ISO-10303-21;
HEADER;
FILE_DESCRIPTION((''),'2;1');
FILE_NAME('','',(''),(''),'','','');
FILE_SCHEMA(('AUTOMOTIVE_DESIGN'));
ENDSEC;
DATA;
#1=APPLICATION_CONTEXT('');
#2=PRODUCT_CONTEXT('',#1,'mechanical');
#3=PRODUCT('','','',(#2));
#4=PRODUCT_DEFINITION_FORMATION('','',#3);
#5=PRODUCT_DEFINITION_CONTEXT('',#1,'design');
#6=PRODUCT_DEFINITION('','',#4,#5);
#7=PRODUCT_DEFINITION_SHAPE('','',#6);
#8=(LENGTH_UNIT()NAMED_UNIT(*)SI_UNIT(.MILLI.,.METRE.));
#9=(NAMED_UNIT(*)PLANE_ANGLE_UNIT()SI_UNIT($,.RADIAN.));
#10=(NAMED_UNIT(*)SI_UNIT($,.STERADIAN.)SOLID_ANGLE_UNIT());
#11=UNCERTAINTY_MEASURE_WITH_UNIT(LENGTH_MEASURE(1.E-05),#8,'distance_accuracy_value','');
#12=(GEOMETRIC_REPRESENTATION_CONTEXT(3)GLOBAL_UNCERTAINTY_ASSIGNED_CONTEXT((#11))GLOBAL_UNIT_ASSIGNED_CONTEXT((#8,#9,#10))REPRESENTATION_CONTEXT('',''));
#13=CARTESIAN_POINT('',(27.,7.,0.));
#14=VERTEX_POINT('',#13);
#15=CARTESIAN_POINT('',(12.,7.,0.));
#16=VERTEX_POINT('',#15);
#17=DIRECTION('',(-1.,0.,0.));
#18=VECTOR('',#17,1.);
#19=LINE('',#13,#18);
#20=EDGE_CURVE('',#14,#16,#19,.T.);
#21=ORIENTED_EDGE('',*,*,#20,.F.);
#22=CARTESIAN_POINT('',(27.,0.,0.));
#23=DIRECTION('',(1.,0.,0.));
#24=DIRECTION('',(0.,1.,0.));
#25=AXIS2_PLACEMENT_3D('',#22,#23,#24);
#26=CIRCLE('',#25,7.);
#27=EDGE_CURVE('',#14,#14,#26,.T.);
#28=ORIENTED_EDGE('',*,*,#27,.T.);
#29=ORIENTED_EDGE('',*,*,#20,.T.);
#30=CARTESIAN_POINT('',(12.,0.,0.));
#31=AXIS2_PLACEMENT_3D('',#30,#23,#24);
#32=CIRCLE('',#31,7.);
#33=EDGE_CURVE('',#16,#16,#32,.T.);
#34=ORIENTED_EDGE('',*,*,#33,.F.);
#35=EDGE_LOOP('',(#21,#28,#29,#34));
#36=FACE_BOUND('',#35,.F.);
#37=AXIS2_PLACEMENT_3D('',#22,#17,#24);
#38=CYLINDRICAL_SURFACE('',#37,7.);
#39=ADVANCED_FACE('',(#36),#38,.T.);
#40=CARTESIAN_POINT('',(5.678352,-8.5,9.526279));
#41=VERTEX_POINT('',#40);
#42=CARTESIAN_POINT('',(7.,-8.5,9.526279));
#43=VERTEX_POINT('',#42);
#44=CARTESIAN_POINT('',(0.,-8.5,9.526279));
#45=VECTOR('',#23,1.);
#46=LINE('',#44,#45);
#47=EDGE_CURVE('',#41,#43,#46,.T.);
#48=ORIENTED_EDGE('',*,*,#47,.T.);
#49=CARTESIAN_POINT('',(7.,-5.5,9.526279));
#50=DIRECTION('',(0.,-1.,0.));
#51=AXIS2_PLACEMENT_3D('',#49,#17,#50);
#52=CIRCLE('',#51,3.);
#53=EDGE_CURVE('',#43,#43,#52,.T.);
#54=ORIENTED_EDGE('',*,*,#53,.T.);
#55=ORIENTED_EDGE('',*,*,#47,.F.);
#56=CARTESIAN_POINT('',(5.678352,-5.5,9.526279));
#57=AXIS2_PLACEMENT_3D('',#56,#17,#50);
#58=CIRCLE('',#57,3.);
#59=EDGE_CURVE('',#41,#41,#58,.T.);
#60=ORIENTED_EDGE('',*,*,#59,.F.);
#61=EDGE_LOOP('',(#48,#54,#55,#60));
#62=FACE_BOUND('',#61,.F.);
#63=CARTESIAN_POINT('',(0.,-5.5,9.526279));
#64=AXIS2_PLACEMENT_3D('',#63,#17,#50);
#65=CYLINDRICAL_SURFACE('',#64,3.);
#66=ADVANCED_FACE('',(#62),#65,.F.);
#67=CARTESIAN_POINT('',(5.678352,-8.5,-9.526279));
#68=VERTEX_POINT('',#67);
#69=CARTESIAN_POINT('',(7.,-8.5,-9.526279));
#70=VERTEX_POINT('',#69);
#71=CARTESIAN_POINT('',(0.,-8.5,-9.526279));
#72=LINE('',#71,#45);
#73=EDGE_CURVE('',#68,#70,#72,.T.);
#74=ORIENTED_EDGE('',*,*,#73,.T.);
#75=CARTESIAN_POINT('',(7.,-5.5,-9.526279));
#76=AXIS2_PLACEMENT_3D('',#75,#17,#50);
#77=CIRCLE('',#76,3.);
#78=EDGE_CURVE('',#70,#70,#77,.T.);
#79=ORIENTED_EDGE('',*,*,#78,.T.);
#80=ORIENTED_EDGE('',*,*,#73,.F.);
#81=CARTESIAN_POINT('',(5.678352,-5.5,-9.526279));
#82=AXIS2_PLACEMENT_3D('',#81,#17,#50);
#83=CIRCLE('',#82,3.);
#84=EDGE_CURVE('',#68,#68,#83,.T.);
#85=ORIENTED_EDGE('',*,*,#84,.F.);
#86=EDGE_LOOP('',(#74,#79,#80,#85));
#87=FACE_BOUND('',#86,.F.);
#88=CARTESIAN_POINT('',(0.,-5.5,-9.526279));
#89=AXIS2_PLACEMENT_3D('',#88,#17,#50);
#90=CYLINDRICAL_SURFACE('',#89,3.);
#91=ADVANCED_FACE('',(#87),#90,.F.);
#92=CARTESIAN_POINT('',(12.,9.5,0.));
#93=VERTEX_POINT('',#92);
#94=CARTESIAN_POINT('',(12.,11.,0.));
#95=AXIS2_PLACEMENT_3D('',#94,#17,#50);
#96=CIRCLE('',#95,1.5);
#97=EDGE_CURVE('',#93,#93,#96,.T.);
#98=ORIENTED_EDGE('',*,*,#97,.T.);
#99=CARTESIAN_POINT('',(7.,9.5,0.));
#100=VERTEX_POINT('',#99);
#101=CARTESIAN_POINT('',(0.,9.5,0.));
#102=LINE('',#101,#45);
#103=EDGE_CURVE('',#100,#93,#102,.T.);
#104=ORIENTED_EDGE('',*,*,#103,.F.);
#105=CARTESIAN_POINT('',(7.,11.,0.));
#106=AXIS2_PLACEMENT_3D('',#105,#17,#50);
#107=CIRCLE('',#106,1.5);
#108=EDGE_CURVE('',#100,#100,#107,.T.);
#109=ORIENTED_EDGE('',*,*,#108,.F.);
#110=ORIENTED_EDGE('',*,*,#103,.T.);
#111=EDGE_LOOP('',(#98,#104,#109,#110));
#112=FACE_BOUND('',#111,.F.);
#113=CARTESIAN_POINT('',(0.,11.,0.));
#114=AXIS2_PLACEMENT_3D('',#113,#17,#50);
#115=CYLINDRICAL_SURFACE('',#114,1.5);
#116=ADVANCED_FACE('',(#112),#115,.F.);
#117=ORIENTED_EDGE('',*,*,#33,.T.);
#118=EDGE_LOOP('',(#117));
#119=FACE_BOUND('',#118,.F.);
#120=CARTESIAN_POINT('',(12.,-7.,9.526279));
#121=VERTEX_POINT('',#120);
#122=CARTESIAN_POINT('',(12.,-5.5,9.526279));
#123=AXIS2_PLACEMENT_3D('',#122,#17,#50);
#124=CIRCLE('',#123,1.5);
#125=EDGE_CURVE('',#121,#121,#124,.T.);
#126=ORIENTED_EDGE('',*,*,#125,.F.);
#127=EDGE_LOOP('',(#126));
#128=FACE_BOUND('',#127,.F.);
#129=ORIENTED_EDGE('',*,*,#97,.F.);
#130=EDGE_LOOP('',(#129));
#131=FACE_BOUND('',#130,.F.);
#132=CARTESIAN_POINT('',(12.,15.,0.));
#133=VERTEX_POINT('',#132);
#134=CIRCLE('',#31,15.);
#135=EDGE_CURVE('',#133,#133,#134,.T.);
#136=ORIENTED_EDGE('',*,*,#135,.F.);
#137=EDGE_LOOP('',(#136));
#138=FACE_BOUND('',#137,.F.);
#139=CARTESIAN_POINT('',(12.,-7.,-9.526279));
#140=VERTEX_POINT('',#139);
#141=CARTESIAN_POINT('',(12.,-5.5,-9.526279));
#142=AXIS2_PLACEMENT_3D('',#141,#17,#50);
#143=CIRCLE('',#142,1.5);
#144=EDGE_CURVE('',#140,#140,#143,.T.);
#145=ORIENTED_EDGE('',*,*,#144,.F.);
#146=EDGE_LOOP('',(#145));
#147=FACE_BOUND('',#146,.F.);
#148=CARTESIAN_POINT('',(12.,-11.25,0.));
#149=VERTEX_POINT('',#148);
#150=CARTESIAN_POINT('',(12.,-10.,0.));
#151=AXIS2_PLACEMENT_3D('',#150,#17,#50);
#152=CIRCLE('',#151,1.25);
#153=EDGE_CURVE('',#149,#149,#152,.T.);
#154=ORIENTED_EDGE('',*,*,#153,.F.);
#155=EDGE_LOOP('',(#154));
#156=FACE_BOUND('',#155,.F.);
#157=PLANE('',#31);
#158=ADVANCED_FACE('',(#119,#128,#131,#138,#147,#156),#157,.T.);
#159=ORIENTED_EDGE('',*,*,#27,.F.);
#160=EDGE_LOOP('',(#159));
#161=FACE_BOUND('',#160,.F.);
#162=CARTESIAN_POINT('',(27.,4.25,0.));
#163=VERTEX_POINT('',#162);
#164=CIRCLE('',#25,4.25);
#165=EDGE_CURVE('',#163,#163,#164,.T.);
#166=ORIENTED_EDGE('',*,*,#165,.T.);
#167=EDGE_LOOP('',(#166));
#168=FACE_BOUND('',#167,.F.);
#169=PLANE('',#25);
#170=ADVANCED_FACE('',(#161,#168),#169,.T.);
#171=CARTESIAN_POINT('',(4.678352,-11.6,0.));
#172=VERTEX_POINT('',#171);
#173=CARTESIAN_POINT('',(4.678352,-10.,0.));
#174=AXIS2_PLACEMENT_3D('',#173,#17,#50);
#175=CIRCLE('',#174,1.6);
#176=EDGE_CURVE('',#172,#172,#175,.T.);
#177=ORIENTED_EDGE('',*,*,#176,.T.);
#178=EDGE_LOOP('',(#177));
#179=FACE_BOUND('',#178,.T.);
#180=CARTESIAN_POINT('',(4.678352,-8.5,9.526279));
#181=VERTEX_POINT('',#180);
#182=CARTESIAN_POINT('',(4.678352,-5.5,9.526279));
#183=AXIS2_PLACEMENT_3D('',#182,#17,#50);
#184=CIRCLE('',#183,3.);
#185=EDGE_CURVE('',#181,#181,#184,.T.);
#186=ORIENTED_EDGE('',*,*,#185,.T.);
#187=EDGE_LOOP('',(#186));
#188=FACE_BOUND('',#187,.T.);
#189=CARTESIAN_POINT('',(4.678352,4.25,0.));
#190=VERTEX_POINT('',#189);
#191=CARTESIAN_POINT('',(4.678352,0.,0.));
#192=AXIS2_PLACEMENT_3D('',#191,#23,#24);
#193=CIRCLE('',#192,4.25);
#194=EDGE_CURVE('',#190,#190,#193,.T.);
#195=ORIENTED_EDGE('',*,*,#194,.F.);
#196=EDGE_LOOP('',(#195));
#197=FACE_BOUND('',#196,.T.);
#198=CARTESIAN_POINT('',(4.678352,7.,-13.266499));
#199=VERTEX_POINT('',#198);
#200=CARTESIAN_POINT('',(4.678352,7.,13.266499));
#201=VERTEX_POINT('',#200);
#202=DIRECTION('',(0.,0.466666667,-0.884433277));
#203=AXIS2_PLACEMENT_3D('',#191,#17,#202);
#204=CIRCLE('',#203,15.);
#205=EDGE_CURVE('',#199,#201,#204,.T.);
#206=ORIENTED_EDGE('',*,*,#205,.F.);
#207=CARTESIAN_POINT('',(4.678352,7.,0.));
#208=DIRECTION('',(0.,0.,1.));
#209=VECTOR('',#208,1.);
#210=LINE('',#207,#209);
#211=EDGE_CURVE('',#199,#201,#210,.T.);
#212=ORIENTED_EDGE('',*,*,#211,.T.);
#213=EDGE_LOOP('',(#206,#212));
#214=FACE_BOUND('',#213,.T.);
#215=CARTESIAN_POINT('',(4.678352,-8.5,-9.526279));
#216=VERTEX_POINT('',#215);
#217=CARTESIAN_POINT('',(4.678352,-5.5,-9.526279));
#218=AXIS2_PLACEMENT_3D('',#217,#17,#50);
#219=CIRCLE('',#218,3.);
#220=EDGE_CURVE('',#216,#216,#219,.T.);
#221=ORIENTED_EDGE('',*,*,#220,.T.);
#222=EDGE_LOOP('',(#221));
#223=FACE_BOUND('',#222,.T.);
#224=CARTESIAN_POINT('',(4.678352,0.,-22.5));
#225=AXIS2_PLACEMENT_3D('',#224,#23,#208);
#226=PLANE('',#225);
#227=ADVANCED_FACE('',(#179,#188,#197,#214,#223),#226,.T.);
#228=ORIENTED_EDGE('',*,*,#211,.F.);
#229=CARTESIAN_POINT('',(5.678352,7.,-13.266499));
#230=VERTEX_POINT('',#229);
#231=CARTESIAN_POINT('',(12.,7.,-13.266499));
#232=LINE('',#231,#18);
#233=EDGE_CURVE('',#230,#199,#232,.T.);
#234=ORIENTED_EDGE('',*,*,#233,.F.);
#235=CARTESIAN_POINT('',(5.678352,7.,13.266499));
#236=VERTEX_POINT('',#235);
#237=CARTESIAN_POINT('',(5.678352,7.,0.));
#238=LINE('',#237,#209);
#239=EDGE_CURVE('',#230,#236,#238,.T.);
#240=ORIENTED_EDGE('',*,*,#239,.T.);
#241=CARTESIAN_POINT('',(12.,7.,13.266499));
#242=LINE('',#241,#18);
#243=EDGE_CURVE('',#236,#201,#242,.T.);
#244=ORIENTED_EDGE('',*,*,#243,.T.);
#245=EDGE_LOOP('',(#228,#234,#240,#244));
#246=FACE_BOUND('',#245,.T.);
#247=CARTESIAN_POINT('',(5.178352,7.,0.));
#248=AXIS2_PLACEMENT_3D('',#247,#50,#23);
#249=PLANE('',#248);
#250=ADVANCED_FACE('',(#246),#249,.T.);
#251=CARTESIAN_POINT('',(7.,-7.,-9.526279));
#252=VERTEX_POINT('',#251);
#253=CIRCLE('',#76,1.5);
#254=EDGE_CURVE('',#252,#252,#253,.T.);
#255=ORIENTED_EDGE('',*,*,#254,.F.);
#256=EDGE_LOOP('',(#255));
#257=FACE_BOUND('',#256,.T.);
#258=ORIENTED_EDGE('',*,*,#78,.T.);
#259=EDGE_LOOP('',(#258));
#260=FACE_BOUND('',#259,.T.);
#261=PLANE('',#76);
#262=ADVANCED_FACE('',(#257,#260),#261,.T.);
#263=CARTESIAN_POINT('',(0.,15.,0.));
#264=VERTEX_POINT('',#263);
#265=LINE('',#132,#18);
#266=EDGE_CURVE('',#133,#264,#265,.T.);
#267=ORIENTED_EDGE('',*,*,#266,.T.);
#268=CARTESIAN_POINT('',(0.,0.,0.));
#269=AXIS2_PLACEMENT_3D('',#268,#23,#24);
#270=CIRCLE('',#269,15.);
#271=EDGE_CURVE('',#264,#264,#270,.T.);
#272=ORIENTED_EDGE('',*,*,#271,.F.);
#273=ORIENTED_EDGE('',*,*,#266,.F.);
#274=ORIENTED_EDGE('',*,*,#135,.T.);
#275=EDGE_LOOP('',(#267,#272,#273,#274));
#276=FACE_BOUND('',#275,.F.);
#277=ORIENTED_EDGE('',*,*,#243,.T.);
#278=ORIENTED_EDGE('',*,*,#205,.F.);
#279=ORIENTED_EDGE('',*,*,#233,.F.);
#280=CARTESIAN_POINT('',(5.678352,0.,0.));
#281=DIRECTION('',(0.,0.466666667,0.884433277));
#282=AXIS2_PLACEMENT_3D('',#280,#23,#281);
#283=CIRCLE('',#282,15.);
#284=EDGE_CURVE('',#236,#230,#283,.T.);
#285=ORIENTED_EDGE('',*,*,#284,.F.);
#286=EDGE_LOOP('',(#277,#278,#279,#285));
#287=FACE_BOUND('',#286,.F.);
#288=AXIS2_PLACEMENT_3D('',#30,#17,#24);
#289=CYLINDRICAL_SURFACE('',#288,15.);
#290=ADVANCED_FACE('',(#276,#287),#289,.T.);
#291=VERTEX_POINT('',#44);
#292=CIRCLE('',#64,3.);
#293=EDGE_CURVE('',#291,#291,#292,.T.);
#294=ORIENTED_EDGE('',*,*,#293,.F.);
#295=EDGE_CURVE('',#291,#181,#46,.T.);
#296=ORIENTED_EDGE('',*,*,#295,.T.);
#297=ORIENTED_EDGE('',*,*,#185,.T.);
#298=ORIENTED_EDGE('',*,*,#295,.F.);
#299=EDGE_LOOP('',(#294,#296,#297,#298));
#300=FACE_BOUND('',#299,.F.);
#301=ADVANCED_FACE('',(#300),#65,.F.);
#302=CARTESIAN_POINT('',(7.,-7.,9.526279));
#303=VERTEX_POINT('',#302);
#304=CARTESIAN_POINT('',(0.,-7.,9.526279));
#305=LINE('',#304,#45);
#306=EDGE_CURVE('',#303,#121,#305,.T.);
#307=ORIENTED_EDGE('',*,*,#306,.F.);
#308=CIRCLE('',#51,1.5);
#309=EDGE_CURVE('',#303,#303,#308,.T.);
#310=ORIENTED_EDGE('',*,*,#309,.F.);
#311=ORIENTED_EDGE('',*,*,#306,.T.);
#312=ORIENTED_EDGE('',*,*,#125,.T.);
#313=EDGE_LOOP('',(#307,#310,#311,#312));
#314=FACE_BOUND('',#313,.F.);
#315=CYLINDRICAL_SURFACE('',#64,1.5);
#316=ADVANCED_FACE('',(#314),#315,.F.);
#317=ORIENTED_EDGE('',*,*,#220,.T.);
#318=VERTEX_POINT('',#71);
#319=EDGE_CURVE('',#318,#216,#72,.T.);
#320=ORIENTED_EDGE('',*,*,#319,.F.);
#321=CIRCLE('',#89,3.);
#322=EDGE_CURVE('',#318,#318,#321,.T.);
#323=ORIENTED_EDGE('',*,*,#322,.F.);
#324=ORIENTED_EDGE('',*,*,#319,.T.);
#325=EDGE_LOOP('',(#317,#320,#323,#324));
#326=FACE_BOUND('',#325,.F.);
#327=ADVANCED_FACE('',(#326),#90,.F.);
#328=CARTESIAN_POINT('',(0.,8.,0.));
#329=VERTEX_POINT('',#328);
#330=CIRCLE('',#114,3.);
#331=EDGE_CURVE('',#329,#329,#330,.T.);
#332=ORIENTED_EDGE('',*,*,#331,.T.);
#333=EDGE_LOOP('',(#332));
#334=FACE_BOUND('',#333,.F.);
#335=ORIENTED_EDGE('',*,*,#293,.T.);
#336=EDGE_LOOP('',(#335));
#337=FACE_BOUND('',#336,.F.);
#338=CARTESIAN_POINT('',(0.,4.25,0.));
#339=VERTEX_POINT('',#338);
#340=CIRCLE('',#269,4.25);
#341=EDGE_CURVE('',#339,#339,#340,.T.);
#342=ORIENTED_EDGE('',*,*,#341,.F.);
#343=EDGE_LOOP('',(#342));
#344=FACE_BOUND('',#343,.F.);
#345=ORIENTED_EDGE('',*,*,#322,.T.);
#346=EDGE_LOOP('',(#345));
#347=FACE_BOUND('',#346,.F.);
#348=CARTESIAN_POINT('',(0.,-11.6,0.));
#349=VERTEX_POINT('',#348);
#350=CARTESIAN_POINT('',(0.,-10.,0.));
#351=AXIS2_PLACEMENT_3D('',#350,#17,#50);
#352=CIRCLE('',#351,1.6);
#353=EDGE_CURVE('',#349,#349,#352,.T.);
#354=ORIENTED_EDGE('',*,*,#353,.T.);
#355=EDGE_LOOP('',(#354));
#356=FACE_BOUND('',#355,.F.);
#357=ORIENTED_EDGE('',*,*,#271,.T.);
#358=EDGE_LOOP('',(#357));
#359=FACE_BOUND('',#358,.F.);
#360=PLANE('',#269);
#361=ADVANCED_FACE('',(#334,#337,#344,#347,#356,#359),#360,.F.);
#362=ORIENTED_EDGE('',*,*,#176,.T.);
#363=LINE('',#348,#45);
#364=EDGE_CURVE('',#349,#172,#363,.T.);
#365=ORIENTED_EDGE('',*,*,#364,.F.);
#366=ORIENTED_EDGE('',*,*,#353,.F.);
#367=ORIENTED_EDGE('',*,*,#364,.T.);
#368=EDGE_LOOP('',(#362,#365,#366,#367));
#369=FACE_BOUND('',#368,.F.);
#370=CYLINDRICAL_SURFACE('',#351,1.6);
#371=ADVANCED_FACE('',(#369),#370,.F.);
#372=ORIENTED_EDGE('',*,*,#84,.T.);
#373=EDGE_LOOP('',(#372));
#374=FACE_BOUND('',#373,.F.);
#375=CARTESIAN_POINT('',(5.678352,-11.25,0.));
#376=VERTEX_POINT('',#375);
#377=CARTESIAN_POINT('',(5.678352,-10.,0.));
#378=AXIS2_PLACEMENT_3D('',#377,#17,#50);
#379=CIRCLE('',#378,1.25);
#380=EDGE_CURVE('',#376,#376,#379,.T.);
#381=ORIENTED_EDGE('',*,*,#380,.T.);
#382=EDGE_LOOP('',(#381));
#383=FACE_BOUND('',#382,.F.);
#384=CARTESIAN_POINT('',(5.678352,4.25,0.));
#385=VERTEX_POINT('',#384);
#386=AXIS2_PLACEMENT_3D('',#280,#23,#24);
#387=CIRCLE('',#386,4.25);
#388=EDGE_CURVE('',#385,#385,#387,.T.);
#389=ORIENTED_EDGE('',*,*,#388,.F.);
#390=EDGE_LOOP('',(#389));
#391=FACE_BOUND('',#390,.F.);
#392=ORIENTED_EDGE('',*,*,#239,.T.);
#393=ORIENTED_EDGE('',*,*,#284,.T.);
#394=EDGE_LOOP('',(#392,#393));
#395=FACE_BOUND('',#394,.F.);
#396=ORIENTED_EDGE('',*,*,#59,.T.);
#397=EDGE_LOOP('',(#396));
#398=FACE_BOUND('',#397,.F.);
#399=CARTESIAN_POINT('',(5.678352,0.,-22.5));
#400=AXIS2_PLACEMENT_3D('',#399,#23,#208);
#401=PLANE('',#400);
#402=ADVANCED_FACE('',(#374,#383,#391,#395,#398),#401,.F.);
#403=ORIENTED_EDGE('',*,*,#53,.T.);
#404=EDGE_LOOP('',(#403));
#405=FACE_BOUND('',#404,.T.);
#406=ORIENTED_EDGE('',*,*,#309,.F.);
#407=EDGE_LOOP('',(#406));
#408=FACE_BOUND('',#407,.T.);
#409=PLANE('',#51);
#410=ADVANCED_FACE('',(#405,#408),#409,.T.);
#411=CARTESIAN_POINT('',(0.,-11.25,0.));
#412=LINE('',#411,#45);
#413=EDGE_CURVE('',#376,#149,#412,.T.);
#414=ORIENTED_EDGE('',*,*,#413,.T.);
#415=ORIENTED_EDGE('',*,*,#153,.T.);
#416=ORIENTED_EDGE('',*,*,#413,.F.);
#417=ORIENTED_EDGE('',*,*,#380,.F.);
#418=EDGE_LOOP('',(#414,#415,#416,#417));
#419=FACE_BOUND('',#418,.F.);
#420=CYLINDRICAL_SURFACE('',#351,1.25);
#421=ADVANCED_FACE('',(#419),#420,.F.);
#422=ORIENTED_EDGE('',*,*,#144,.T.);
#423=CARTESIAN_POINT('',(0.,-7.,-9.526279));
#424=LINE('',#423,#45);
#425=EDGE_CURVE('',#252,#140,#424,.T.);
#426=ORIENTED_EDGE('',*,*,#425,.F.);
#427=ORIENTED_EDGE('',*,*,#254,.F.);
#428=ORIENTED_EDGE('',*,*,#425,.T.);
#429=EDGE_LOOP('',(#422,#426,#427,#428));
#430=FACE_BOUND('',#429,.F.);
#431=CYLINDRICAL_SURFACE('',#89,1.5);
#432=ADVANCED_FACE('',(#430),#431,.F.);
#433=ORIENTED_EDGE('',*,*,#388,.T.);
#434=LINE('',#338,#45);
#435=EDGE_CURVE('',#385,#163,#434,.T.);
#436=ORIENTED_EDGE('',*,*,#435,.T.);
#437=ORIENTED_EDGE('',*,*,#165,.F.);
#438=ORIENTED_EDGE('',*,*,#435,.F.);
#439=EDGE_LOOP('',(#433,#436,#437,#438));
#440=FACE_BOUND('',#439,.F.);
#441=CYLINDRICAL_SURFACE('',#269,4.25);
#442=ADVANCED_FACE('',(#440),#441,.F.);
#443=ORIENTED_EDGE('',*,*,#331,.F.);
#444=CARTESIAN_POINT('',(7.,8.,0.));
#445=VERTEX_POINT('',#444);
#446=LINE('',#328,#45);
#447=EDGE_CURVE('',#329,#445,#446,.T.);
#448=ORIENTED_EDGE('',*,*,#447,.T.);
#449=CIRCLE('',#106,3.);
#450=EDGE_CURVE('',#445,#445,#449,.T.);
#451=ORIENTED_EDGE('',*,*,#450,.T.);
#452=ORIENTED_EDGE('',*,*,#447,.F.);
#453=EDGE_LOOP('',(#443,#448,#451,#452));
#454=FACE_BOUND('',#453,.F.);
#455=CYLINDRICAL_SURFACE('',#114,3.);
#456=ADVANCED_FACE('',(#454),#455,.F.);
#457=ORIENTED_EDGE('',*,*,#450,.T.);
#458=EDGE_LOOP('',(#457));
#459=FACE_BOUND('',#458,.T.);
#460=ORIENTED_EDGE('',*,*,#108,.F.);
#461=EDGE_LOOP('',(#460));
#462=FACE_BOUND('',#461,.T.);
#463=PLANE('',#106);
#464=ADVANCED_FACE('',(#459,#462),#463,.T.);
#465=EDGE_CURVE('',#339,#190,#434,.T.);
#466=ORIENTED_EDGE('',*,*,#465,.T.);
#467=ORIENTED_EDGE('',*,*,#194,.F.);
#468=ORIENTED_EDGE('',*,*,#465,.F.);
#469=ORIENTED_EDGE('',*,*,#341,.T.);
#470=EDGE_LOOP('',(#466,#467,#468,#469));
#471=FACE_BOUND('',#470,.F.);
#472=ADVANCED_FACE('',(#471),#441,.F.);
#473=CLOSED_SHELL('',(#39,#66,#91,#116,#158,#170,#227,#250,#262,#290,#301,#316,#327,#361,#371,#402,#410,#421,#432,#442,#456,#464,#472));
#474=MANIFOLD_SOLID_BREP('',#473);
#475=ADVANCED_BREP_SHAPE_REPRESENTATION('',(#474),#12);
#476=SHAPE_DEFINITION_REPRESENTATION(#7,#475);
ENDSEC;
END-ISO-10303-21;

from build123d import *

# Parameters (mm, degrees)
F2_R          = 1.5
F3_DEPTH      = 27.001
F4_R          = 3
F4_R_2        = 1.5
F5_DEPTH      = 7
F6_W          = 1
F6_H          = 45
F7_DEPTH      = 7
F7_DEPTH_BACK = 25
F8_R          = 1.25
F9_DEPTH      = 27.001
F10_R         = 1.6
F10_R_2       = 1.25
F11_DEPTH     = 5


with BuildPart() as f1:
    # F0 (on Top) → F1 (revolve)
    with BuildSketch(Plane.XY):
        Polygon((0, 15), (0, 4.25), (27, 4.25), (27, 7), (12, 7), (12, 15), align=None)
    revolve(axis=Axis((49.570793286, 0, 0), (1, 0, 0)))

    # F2 (on face) → F3 (cut, through all)
    with BuildSketch(Plane(origin=(0, 0, 0), x_dir=(0, -1, 0), z_dir=(-1, 0, 0))):
        with Locations((5.5, 9.5262794416)):
            Circle(F2_R)
        with Locations((-11, 0)):
            Circle(F2_R)
        with Locations((5.5, -9.5262794416)):
            Circle(F2_R)
    extrude(amount=-F3_DEPTH, mode=Mode.SUBTRACT)

    # F4 (on face) → F5 (cut)
    with BuildSketch(Plane(origin=(0, 0, 0), x_dir=(0, -1, 0), z_dir=(-1, 0, 0))):
        with Locations((5.5, 9.5262794416)):
            Circle(F4_R)
        with Locations((5.5, 9.5262794416)):
            Circle(F4_R_2, mode=Mode.SUBTRACT)
        with Locations((-11, 0)):
            Circle(F4_R)
        with Locations((-11, 0)):
            Circle(F4_R_2, mode=Mode.SUBTRACT)
        with Locations((5.5, -9.5262794416)):
            Circle(F4_R)
        with Locations((5.5, -9.5262794416)):
            Circle(F4_R_2, mode=Mode.SUBTRACT)
    extrude(amount=-F5_DEPTH, mode=Mode.SUBTRACT)

    # F6 (on Front) → F7 (cut, two sides)
    with BuildSketch(Plane.XZ) as f7_sk:
        with Locations((5.1783517702, 0)):
            Rectangle(F6_W, F6_H)
    extrude(amount=-F7_DEPTH, mode=Mode.SUBTRACT)
    extrude(f7_sk.sketch, amount=F7_DEPTH_BACK, mode=Mode.SUBTRACT)

    # F8 (on face) → F9 (cut, through all)
    with BuildSketch(Plane(origin=(0, 0, 0), x_dir=(0, -1, 0), z_dir=(-1, 0, 0))):
        with Locations((10, 0)):
            Circle(F8_R)
    extrude(amount=-F9_DEPTH, mode=Mode.SUBTRACT)

    # F10 (on face) → F11 (cut)
    with BuildSketch(Plane(origin=(0, 0, 0), x_dir=(0, -1, 0), z_dir=(-1, 0, 0))):
        with Locations((10, 0)):
            Circle(F10_R)
        with Locations((10, 0)):
            Circle(F10_R_2, mode=Mode.SUBTRACT)
    extrude(amount=-F11_DEPTH, mode=Mode.SUBTRACT)


solid = f1.part
